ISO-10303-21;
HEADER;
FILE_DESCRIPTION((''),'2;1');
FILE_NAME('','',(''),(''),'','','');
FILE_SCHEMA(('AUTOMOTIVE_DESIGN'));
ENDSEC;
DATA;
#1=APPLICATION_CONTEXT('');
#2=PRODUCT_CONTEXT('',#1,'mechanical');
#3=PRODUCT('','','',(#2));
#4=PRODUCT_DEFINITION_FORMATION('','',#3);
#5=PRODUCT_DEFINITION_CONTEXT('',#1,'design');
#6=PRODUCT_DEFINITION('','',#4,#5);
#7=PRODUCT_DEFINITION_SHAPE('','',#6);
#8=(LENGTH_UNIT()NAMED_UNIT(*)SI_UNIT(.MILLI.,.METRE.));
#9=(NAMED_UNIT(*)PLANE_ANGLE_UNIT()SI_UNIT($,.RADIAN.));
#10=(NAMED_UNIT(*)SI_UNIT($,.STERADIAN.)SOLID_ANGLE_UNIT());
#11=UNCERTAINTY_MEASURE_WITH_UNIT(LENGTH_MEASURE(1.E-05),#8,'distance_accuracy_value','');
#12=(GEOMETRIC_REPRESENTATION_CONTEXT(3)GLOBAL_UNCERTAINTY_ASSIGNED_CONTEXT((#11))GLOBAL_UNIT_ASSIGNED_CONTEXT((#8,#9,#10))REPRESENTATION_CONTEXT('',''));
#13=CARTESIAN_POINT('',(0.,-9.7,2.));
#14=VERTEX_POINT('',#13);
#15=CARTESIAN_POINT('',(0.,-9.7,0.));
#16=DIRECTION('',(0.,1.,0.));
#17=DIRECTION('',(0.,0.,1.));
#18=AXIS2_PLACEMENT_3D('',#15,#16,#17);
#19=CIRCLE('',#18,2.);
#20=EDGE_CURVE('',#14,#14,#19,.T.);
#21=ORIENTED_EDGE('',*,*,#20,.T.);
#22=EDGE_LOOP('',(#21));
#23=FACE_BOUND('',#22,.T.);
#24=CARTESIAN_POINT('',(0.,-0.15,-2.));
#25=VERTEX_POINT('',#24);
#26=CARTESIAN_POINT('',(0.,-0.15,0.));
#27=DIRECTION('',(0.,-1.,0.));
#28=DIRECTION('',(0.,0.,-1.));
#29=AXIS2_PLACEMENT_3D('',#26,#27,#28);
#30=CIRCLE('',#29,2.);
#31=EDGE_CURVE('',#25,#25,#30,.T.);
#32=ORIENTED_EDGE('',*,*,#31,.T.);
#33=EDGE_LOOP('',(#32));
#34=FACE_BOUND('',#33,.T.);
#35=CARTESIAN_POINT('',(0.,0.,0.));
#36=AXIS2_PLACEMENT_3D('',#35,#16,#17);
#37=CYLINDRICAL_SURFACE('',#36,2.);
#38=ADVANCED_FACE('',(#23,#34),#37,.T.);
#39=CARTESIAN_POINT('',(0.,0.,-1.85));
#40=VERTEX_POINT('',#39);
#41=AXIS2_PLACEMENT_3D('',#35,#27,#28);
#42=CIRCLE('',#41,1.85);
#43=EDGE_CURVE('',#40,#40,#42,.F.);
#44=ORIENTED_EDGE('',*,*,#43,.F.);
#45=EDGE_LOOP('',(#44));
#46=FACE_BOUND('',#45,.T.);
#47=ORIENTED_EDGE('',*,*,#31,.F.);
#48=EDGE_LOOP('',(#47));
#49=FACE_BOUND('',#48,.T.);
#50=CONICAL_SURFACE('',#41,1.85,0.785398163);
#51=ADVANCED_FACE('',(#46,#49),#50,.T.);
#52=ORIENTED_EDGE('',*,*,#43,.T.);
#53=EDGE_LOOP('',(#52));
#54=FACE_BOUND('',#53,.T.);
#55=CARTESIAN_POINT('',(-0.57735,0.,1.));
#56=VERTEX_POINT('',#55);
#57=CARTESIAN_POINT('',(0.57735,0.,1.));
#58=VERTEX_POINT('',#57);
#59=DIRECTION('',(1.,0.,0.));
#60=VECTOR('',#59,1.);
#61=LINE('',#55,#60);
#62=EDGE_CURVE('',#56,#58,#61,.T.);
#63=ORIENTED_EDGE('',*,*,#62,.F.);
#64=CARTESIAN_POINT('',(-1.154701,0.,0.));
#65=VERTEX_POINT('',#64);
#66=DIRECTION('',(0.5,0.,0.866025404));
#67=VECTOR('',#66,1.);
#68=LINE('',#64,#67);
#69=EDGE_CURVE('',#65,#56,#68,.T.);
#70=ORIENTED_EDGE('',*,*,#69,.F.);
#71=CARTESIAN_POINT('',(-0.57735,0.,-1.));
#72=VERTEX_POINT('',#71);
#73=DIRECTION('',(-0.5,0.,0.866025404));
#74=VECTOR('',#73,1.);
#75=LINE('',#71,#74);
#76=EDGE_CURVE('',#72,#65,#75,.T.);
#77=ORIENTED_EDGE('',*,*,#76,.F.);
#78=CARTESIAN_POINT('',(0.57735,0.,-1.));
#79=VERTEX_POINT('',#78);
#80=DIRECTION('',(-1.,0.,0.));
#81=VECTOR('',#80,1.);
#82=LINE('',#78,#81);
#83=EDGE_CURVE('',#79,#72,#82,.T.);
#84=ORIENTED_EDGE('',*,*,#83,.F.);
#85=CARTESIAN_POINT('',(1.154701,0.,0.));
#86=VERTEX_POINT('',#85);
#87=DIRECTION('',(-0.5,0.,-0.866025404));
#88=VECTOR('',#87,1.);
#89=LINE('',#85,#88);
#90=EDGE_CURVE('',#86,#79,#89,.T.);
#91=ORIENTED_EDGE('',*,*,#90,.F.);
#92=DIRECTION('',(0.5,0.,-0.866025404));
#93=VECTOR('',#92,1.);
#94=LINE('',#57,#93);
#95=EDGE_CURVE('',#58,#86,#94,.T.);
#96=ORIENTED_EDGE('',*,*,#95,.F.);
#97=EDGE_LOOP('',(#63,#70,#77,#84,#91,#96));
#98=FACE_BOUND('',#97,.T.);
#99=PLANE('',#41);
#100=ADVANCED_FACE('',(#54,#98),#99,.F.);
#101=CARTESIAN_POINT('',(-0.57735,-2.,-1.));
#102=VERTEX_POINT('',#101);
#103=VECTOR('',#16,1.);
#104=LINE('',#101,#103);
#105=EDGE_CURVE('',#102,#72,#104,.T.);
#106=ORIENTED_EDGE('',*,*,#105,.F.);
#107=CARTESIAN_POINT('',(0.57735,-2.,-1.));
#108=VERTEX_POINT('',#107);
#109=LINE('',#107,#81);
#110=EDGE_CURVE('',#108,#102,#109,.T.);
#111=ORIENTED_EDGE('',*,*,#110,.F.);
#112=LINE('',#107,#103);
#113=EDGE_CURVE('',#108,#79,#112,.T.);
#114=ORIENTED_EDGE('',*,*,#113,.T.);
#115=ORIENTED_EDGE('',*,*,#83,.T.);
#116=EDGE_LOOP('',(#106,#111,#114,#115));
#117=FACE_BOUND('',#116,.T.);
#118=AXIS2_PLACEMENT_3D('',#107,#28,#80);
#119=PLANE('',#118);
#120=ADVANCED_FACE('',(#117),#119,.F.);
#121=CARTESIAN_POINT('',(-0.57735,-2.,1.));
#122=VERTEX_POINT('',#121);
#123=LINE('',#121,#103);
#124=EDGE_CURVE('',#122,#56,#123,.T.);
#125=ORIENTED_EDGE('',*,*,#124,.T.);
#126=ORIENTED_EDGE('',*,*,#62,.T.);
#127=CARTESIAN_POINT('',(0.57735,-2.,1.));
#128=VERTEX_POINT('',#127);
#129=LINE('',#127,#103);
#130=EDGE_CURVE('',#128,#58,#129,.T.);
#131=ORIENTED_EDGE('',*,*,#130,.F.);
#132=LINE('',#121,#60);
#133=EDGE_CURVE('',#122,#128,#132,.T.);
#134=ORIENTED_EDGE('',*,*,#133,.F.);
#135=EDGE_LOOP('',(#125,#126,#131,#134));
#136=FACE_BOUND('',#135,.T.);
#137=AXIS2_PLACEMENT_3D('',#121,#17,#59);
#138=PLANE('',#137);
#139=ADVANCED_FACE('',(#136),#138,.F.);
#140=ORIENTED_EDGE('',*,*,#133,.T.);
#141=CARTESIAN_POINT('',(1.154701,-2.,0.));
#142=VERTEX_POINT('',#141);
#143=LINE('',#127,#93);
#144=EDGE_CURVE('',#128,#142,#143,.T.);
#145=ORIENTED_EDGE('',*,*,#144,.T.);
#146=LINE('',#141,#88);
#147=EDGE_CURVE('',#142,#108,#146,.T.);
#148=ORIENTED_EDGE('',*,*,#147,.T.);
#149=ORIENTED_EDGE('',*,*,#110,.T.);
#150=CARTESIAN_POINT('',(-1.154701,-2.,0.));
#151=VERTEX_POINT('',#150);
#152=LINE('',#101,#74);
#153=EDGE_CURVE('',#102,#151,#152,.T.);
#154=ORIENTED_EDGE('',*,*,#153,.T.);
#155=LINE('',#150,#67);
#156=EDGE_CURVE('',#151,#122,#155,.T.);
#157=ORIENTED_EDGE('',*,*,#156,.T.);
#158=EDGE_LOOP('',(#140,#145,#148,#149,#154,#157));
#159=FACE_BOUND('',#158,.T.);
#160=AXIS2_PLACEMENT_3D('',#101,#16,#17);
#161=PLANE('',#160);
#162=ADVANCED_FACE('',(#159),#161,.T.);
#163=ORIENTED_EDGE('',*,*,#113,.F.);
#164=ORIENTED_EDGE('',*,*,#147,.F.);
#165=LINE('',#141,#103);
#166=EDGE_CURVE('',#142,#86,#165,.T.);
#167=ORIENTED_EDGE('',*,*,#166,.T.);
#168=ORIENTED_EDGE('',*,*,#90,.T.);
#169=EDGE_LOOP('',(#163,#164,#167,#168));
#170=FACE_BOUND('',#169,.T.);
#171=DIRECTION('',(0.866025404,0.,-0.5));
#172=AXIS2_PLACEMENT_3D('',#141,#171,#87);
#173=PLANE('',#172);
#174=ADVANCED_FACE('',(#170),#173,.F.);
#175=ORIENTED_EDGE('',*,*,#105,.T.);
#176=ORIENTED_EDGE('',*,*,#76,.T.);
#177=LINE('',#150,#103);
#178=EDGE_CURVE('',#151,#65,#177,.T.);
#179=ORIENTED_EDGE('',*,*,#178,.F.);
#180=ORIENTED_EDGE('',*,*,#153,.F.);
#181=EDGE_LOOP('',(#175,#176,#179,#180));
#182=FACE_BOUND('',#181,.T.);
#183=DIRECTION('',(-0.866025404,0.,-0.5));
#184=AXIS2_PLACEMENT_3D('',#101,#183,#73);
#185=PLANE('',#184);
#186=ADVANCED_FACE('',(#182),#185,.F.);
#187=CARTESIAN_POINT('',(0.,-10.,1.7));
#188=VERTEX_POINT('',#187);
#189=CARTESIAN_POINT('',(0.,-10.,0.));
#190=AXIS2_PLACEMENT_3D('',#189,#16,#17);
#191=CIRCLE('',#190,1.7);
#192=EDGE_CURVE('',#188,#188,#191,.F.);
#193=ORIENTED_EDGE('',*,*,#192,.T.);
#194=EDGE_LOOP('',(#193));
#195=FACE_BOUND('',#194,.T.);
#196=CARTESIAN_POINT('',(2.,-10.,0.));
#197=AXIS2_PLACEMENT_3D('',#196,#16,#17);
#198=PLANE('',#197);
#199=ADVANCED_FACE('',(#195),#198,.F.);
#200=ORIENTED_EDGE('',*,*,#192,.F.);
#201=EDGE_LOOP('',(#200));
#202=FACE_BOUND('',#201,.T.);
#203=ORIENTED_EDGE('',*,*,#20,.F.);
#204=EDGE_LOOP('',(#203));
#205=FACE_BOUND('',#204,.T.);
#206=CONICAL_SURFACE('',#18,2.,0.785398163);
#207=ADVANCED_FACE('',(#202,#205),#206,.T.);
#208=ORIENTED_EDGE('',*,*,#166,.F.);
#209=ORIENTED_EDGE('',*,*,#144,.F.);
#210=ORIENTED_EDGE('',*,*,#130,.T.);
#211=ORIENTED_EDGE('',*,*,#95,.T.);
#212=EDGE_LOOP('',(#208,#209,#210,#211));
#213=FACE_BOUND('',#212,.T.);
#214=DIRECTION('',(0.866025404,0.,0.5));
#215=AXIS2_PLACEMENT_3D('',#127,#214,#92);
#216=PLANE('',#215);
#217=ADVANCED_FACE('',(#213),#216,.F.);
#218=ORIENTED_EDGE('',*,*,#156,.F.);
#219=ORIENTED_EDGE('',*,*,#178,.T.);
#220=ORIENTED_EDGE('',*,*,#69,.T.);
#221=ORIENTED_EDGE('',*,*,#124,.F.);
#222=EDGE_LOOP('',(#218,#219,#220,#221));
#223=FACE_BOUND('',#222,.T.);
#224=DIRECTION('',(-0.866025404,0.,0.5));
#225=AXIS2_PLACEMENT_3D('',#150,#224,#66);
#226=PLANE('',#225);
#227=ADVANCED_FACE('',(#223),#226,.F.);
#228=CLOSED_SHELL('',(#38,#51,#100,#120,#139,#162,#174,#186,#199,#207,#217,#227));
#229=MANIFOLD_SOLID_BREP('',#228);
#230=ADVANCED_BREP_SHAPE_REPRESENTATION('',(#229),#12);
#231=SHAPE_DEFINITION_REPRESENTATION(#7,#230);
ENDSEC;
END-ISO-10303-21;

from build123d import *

# Parameters (mm, degrees)
CROQUIS1_W            = 2
CROQUIS1_H            = 10
CORTAR_EXTRUIR2_DEPTH = 2
CHAFL_N3_SIZE         = 0.3
CHAFL_N4_SIZE         = 0.15


with BuildPart() as part:
    # Croquis1 → Revolución1 (revolve)
    with BuildSketch(Plane.XY, mode=Mode.PRIVATE) as revoluci_n1_sk:
        with Locations((1, -5)):
            Rectangle(CROQUIS1_W, CROQUIS1_H)
    revolve(revoluci_n1_sk.sketch.rotate(Axis((0, 0, 0), (0, -1, 0)), 90), axis=Axis((0, 0, 0), (0, -1, 0)))

    # Croquis3 → Cortar-Extruir2 (cut)
    with BuildSketch(Plane(origin=(0, 0, 0), x_dir=(1, 0, 0), z_dir=(0, 1, 0))):
        Polygon((-0.577350269, 1), (-1.154700538, 0), (-0.577350269, -1), (0.577350269, -1), (1.154700538, 0), (0.577350269, 1), align=None)
    extrude(amount=-CORTAR_EXTRUIR2_DEPTH, mode=Mode.SUBTRACT)

    # Chaflán3
    chafl_n3_edges = [part.edges().sort_by_distance(p)[0] for p in [
        (0, -10, -2),
    ]]
    chamfer(chafl_n3_edges, length=CHAFL_N3_SIZE)

    # Chaflán4
    chafl_n4_edges = [part.edges().sort_by_distance(p)[0] for p in [
        (0, 0, -2),
    ]]
    chamfer(chafl_n4_edges, length=CHAFL_N4_SIZE)


solid = part.part
